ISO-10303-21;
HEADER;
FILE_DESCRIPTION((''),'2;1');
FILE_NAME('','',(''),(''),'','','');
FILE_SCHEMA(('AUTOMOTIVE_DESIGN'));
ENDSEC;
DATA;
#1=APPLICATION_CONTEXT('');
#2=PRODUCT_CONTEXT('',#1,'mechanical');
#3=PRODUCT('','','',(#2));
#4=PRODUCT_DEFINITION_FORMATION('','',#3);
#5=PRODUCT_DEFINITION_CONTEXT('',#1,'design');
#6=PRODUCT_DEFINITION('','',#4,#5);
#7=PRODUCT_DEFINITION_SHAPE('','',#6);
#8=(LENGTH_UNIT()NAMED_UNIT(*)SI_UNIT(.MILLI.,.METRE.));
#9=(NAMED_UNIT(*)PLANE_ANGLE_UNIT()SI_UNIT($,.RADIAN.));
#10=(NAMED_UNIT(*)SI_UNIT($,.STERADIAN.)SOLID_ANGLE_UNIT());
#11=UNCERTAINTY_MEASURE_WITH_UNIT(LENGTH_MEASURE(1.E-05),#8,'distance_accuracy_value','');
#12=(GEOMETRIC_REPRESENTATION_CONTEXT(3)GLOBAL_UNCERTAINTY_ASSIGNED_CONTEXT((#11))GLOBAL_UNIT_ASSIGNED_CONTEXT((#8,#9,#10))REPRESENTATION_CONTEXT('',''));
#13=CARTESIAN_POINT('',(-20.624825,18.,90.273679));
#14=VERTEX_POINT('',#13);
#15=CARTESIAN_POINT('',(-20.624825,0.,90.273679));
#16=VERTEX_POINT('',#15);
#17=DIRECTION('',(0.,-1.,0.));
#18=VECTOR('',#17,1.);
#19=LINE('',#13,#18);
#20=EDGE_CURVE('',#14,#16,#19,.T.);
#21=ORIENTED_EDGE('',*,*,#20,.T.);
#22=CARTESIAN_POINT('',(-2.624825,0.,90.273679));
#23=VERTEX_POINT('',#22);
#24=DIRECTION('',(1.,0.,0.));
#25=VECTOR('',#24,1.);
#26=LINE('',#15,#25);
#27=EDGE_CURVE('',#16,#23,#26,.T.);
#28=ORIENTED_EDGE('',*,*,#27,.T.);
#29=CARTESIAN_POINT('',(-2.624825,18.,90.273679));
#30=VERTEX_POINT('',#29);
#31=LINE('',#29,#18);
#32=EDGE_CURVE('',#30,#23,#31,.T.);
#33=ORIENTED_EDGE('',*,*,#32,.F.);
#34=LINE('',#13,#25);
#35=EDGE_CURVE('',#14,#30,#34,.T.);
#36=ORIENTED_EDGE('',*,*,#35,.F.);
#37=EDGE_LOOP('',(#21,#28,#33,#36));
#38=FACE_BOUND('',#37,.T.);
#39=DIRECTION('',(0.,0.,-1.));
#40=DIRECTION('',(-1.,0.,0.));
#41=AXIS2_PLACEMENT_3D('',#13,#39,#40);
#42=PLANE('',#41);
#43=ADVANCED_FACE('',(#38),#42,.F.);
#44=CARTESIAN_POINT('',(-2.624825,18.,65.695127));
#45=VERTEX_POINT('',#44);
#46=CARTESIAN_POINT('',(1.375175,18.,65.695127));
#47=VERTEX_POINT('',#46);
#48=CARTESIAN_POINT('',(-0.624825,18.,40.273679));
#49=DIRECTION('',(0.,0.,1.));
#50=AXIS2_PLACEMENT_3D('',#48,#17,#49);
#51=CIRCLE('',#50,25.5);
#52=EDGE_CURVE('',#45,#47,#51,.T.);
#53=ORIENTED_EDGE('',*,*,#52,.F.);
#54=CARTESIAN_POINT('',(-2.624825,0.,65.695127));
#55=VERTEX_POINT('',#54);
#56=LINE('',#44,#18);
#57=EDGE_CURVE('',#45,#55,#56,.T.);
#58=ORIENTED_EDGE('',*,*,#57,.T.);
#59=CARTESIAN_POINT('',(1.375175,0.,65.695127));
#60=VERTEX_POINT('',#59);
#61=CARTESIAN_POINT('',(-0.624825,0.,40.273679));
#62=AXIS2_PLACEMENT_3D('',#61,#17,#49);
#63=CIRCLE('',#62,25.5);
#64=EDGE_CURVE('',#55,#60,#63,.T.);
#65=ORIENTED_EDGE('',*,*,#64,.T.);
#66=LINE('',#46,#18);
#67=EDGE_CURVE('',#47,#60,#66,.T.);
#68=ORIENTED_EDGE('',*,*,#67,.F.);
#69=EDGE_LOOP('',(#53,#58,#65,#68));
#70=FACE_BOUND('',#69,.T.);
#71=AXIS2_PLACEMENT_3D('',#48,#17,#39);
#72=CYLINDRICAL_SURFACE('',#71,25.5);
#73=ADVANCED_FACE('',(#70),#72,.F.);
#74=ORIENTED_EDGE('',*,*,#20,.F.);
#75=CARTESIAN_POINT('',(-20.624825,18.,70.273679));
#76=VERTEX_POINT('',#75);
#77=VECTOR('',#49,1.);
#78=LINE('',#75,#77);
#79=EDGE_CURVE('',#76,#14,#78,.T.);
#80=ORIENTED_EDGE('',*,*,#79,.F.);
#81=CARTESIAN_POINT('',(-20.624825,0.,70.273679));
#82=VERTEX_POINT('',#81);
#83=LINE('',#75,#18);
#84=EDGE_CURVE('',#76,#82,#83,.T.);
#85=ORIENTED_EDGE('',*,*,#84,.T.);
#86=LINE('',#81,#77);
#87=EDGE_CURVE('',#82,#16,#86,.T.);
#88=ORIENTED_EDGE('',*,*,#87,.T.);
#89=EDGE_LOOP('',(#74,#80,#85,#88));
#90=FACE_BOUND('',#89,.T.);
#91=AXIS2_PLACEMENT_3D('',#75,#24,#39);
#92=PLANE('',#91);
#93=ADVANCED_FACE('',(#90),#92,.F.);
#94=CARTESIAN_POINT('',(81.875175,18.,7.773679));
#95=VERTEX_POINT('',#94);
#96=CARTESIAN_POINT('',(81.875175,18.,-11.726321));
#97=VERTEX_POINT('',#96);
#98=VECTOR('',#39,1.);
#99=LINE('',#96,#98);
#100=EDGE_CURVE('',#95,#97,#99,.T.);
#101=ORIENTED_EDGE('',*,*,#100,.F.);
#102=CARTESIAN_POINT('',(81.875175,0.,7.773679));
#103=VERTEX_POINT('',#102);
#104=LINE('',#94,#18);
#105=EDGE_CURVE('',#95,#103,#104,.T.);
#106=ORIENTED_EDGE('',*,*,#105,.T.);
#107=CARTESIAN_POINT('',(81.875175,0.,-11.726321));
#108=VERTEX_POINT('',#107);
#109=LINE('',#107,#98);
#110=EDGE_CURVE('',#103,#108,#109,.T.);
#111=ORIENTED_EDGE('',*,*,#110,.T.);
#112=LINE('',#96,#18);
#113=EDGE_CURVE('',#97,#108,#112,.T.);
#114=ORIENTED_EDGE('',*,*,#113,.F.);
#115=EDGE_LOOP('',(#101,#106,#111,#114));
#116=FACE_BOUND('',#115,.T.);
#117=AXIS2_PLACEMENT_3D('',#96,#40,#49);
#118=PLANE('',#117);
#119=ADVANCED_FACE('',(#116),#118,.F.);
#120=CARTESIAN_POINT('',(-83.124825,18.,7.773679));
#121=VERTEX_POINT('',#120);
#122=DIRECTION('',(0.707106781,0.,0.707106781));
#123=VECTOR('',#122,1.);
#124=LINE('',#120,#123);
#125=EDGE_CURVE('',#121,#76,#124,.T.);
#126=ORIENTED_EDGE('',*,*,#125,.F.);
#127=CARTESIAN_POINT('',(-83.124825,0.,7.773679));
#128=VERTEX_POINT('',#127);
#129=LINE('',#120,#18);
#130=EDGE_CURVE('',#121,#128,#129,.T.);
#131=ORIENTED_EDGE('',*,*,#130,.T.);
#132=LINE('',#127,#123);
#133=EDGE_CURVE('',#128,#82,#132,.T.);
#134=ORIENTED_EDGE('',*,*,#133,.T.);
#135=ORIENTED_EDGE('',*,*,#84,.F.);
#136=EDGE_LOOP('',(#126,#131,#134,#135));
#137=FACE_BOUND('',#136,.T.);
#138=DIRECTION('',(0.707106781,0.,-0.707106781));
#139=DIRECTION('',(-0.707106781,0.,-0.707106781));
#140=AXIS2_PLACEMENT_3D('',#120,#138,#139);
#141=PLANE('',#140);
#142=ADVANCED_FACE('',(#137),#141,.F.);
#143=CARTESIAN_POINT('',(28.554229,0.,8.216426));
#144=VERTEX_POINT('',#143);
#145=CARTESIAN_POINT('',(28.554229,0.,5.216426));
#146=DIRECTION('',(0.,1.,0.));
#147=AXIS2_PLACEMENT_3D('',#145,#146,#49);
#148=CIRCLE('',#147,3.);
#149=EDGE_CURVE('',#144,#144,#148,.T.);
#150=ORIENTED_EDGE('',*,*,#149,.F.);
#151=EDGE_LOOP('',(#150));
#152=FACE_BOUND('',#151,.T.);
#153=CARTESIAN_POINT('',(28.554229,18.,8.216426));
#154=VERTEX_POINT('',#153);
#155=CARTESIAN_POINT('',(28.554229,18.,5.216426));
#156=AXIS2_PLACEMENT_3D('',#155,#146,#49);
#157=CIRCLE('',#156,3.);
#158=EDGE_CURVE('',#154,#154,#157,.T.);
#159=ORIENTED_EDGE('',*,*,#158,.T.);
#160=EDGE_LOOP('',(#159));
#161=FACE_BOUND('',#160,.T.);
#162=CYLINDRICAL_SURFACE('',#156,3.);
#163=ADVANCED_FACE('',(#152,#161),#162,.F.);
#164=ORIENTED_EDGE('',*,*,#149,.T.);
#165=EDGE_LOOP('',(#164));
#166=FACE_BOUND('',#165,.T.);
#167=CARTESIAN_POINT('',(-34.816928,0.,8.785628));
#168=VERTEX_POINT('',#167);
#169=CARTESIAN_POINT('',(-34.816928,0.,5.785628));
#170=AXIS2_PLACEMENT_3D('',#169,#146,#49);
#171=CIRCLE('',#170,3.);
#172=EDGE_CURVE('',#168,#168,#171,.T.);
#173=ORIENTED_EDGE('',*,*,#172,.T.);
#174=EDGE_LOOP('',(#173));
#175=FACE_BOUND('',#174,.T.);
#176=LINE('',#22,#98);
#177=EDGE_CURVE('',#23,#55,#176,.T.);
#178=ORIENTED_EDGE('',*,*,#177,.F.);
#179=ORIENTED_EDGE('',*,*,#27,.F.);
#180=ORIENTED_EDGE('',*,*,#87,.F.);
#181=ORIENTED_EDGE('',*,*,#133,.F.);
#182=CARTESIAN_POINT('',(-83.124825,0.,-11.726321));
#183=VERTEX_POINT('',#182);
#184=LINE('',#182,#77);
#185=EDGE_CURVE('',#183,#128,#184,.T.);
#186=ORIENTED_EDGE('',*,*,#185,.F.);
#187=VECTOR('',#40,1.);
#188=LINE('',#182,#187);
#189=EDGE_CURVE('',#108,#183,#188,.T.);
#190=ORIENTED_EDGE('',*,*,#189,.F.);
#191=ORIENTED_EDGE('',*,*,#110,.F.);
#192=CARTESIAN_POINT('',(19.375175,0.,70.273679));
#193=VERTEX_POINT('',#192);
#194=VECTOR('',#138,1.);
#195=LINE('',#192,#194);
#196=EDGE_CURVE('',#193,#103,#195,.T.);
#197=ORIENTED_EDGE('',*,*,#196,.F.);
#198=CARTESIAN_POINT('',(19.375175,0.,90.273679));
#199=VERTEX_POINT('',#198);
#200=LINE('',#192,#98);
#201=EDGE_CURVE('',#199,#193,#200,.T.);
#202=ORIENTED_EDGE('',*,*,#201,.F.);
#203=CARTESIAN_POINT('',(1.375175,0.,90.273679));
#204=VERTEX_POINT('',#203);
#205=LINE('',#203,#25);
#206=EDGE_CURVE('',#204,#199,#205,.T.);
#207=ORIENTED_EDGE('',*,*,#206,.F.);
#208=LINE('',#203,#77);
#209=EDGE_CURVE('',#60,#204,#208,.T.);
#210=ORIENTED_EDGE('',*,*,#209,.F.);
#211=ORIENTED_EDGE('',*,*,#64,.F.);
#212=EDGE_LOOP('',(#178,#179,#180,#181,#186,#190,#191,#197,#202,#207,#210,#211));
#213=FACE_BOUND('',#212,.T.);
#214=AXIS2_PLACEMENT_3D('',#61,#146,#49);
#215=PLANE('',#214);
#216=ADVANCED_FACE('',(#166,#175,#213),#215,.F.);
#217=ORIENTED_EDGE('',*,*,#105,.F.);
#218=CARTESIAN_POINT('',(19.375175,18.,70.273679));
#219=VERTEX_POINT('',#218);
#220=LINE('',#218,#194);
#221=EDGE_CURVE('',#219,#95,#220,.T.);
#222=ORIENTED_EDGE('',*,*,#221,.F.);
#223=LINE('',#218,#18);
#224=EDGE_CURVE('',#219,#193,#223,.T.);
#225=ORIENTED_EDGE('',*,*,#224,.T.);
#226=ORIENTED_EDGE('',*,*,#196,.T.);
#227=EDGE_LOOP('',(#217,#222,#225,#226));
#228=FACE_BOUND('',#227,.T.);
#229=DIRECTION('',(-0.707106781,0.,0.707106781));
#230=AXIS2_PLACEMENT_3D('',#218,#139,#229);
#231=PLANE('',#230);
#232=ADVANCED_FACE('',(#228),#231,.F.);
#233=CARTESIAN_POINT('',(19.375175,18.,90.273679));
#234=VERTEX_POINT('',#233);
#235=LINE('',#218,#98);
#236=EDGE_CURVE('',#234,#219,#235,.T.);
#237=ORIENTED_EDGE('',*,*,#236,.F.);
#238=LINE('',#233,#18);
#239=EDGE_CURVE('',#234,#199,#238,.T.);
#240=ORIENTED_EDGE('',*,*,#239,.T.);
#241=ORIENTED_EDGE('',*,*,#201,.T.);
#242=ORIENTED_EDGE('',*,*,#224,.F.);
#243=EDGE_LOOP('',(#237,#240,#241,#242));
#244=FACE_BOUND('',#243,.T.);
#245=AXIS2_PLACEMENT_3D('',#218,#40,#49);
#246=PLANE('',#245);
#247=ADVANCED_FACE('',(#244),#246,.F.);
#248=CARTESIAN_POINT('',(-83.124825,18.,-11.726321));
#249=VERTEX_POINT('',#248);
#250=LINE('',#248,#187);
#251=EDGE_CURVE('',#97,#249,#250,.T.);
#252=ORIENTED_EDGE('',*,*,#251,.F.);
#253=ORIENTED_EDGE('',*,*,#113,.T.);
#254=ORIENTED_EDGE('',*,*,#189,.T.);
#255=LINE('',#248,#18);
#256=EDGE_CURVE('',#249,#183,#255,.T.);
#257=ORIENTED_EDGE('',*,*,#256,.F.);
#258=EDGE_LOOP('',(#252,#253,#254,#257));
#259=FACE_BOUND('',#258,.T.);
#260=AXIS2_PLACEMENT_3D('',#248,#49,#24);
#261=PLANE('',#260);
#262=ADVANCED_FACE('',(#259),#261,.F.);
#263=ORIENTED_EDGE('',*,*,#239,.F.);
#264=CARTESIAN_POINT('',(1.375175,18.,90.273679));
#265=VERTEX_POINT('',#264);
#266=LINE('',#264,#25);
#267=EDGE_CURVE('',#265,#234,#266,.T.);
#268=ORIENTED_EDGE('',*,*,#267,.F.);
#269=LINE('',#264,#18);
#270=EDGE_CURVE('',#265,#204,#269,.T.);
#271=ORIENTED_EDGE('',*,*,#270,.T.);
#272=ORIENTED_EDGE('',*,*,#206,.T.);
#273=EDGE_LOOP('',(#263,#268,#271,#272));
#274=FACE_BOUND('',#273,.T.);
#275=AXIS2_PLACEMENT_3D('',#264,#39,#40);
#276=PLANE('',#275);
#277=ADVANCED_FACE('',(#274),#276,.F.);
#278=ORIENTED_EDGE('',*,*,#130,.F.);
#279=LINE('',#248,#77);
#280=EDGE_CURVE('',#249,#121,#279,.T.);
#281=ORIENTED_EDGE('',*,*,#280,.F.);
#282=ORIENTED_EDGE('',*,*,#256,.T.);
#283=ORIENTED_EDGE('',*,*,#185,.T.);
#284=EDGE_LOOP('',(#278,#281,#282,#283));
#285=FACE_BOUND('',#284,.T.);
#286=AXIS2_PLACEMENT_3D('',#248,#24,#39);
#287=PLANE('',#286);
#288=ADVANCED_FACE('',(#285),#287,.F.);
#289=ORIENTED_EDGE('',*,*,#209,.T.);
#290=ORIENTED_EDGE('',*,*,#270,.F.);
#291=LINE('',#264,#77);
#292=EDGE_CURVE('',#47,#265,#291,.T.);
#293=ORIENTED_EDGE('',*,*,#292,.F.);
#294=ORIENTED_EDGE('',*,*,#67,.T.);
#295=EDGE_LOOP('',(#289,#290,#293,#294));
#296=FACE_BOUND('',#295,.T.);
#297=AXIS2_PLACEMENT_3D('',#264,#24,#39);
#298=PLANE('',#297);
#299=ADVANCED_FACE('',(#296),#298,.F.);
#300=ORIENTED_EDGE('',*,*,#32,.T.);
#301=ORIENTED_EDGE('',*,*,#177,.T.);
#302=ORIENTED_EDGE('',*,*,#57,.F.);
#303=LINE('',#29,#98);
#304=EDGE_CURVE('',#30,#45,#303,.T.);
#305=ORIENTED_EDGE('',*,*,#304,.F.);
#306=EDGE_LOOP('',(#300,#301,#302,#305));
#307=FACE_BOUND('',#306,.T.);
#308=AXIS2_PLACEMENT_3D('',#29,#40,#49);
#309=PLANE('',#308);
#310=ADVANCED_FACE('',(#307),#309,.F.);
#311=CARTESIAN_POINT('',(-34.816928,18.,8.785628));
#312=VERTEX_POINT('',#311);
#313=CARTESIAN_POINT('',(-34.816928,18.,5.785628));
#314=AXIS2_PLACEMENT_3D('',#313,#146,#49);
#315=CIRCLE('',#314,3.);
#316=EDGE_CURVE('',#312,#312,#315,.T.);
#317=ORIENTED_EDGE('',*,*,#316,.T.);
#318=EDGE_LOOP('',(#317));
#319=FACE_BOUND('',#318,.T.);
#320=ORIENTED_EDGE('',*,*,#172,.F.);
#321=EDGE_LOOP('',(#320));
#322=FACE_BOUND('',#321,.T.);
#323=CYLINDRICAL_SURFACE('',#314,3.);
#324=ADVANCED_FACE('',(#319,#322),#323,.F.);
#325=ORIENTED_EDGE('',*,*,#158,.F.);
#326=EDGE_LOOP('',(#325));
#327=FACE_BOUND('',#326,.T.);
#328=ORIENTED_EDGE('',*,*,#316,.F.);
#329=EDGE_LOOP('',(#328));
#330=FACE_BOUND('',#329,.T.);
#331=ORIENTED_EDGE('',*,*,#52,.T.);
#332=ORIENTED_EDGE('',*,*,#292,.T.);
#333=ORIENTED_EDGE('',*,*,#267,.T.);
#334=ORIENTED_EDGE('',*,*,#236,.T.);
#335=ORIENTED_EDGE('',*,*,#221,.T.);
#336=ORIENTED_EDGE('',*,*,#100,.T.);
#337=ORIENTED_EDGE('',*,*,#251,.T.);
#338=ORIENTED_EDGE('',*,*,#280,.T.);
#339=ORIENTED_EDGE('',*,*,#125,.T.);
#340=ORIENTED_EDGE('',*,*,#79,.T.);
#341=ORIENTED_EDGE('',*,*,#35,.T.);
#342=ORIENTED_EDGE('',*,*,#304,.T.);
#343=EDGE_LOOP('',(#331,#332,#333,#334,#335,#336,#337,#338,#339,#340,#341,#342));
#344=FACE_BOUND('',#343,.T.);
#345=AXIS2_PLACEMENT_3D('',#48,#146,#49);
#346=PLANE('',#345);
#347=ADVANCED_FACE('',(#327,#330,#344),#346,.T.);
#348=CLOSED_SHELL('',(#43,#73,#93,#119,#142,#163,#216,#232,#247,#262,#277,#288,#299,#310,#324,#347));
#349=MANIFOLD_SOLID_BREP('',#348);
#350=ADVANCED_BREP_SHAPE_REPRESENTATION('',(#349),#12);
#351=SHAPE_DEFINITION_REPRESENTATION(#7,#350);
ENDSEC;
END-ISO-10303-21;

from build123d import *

# Parameters (mm, degrees)
EXTRUDE1_DEPTH           = 18
F_6_0_6_DIAMETER_HOLE1_D = 6


with BuildPart() as part:
    # Sketch1 → Extrude1 (new body)
    with BuildSketch(Plane(origin=(0, 0, 0), x_dir=(1, 0, 0), z_dir=(0, 1, 0))):
        with BuildLine():
            Line((-83.124824855, -7.773679355), (-20.624824855, -70.273679355))
            Line((-20.624824855, -70.273679355), (-20.624824855, -90.273679355))
            Line((-20.624824855, -90.273679355), (-2.624824855, -90.273679355))
            Line((-2.624824855, -90.273679355), (-2.624824855, -65.695126993))
            ThreePointArc((-2.624824855, -65.695126993), (-0.624824855, -14.773679355), (1.375175145, -65.695126993))
            Line((1.375175145, -65.695126993), (1.375175145, -90.273679355))
            Line((1.375175145, -90.273679355), (19.375175145, -90.273679355))
            Line((19.375175145, -90.273679355), (19.375175145, -70.273679355))
            Line((19.375175145, -70.273679355), (81.875175145, -7.773679355))
            Line((81.875175145, -7.773679355), (81.875175145, 11.726320645))
            Line((81.875175145, 11.726320645), (-83.124824855, 11.726320645))
            Line((-83.124824855, 11.726320645), (-83.124824855, -7.773679355))
        make_face()
    extrude(amount=EXTRUDE1_DEPTH)

    # Ø6.0 (6) Diameter Hole1 (through all)
    with Locations(Plane(origin=(-34.816928484, 18, 5.785627569), x_dir=(0, 0, 1), z_dir=(0, 1, 0))):
        with Locations((0, 0), (-0.569202013, 63.371157488)):
            Hole(F_6_0_6_DIAMETER_HOLE1_D / 2)


solid = part.part
